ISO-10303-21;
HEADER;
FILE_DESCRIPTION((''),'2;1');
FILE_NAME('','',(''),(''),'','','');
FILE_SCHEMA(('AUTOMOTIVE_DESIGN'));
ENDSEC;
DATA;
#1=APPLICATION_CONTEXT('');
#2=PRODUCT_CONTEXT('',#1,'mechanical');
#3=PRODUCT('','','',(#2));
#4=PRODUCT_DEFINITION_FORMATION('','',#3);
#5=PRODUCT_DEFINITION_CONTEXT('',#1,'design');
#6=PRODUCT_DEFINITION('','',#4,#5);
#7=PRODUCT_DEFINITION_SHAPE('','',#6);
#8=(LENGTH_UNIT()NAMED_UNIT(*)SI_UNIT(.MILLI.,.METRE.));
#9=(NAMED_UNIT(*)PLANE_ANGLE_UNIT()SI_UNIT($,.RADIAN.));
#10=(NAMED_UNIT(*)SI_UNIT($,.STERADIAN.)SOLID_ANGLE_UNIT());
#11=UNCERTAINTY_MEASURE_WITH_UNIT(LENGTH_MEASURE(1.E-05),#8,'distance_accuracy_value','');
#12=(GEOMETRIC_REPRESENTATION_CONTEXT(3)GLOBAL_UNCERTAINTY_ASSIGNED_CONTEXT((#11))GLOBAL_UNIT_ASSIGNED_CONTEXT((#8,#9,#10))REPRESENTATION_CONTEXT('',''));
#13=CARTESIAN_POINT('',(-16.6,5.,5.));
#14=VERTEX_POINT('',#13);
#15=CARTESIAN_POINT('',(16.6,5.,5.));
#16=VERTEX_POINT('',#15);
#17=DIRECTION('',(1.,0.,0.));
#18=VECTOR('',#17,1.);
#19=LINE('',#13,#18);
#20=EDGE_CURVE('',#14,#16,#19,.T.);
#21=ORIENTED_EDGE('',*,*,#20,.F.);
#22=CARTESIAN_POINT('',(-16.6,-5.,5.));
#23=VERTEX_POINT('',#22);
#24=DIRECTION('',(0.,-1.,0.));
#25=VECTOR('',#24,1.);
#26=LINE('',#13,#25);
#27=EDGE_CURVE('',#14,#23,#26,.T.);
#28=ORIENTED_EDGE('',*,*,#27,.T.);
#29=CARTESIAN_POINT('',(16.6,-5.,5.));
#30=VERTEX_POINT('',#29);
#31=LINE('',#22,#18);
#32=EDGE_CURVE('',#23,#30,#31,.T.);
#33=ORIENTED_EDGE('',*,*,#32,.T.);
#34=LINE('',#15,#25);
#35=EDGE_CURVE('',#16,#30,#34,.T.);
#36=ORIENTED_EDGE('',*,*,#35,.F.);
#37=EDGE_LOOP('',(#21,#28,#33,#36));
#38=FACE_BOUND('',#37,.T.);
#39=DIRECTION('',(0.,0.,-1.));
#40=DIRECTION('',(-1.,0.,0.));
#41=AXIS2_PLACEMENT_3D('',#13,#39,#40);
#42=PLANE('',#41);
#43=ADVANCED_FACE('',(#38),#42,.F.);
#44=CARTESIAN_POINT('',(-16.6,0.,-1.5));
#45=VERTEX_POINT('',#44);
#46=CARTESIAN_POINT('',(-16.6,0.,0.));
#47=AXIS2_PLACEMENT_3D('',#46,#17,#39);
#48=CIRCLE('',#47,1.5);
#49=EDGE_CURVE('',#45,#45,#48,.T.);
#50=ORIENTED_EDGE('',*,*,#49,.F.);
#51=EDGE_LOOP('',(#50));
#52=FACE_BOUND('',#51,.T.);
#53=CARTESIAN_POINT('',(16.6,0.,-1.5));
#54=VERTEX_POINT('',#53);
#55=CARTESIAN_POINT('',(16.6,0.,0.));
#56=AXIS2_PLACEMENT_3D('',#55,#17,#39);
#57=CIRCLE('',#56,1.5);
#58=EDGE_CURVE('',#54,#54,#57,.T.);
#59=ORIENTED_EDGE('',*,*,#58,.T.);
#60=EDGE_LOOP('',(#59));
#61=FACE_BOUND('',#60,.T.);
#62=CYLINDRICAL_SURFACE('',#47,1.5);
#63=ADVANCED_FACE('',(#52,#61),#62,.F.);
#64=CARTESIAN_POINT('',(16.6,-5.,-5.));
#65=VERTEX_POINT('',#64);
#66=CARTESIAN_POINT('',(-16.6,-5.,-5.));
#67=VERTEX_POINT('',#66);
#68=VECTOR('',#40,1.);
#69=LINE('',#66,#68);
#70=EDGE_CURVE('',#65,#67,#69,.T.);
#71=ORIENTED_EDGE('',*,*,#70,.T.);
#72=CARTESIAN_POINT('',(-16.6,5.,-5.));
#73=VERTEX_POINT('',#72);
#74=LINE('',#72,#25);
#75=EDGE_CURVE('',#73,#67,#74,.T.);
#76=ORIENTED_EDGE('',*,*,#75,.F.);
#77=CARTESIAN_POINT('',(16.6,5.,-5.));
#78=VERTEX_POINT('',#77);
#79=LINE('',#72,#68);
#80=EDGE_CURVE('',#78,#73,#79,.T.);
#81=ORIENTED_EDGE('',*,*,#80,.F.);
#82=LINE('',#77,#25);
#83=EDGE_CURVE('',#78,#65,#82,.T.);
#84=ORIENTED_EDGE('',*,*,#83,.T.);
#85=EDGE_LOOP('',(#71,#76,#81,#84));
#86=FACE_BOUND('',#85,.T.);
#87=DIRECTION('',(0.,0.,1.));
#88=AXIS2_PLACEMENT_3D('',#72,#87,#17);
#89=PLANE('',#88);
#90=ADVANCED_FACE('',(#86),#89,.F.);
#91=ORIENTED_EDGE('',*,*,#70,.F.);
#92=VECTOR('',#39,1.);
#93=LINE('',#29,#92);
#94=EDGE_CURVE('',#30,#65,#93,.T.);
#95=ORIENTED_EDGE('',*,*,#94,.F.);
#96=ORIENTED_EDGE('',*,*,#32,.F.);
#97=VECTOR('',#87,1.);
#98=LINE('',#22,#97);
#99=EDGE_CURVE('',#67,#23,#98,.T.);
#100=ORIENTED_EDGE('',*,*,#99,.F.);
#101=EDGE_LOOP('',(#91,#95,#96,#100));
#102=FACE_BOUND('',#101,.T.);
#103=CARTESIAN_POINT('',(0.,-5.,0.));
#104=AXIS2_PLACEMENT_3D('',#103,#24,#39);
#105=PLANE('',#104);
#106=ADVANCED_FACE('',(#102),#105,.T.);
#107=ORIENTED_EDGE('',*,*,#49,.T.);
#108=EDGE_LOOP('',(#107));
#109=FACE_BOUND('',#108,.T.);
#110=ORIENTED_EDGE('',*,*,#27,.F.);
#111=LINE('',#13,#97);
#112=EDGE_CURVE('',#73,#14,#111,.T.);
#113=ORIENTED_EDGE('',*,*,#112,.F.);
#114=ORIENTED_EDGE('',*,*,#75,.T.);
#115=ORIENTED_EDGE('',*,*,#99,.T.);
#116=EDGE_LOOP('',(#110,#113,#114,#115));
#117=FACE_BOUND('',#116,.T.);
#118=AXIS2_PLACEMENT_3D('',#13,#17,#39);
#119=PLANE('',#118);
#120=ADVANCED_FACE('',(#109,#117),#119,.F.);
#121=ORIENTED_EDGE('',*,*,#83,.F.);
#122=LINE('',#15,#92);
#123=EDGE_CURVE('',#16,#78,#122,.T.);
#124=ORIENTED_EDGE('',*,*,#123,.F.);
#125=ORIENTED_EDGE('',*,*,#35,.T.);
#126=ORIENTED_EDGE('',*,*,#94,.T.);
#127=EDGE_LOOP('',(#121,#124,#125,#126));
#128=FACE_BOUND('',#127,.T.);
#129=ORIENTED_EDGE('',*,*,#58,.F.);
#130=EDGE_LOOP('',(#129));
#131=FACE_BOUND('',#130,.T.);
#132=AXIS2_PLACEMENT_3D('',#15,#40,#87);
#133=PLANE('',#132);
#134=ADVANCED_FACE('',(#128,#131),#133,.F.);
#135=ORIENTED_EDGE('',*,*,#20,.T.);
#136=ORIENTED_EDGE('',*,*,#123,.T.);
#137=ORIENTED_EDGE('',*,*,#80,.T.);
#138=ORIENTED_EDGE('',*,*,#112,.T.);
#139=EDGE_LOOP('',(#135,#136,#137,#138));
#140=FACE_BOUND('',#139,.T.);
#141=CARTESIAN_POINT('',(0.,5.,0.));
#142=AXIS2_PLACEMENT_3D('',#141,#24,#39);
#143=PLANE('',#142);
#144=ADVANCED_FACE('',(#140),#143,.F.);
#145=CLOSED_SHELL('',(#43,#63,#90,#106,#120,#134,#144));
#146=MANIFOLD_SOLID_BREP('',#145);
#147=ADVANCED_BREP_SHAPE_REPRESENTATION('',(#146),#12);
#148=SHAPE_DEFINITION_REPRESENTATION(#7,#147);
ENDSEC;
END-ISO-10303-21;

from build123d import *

# Parameters (mm, degrees)
SKETCH_2_W               = 33.2
SKETCH_2_H               = 10
EXTRUDE_1_DEPTH          = 5
CUT_EXTRUDE_1_DEPTH      = 19.043281298
CUT_EXTRUDE_1_DEPTH_BACK = 19.043281298
SKETCH_3_R               = 1.5


with BuildPart() as part:
    # ｽｹｯﾁ2 → ﾎﾞｽ - 押し出し1 (new, symmetric)
    with BuildSketch(Plane(origin=(0, 0, 0), x_dir=(1, 0, 0), z_dir=(0, 1, 0))):
        Rectangle(SKETCH_2_W, SKETCH_2_H)
    extrude(amount=EXTRUDE_1_DEPTH, both=True)

    # ｽｹｯﾁ3 → ｶｯﾄ - 押し出し1 (cut, two sides: drawn at the far end of the back side and taken through both)
    with BuildSketch(Plane(origin=(0, 0, 0), x_dir=(0, 0, -1), z_dir=(1, 0, 0)).offset(-CUT_EXTRUDE_1_DEPTH_BACK)):
        Circle(SKETCH_3_R)
    extrude(amount=CUT_EXTRUDE_1_DEPTH + CUT_EXTRUDE_1_DEPTH_BACK, mode=Mode.SUBTRACT)


solid = part.part
